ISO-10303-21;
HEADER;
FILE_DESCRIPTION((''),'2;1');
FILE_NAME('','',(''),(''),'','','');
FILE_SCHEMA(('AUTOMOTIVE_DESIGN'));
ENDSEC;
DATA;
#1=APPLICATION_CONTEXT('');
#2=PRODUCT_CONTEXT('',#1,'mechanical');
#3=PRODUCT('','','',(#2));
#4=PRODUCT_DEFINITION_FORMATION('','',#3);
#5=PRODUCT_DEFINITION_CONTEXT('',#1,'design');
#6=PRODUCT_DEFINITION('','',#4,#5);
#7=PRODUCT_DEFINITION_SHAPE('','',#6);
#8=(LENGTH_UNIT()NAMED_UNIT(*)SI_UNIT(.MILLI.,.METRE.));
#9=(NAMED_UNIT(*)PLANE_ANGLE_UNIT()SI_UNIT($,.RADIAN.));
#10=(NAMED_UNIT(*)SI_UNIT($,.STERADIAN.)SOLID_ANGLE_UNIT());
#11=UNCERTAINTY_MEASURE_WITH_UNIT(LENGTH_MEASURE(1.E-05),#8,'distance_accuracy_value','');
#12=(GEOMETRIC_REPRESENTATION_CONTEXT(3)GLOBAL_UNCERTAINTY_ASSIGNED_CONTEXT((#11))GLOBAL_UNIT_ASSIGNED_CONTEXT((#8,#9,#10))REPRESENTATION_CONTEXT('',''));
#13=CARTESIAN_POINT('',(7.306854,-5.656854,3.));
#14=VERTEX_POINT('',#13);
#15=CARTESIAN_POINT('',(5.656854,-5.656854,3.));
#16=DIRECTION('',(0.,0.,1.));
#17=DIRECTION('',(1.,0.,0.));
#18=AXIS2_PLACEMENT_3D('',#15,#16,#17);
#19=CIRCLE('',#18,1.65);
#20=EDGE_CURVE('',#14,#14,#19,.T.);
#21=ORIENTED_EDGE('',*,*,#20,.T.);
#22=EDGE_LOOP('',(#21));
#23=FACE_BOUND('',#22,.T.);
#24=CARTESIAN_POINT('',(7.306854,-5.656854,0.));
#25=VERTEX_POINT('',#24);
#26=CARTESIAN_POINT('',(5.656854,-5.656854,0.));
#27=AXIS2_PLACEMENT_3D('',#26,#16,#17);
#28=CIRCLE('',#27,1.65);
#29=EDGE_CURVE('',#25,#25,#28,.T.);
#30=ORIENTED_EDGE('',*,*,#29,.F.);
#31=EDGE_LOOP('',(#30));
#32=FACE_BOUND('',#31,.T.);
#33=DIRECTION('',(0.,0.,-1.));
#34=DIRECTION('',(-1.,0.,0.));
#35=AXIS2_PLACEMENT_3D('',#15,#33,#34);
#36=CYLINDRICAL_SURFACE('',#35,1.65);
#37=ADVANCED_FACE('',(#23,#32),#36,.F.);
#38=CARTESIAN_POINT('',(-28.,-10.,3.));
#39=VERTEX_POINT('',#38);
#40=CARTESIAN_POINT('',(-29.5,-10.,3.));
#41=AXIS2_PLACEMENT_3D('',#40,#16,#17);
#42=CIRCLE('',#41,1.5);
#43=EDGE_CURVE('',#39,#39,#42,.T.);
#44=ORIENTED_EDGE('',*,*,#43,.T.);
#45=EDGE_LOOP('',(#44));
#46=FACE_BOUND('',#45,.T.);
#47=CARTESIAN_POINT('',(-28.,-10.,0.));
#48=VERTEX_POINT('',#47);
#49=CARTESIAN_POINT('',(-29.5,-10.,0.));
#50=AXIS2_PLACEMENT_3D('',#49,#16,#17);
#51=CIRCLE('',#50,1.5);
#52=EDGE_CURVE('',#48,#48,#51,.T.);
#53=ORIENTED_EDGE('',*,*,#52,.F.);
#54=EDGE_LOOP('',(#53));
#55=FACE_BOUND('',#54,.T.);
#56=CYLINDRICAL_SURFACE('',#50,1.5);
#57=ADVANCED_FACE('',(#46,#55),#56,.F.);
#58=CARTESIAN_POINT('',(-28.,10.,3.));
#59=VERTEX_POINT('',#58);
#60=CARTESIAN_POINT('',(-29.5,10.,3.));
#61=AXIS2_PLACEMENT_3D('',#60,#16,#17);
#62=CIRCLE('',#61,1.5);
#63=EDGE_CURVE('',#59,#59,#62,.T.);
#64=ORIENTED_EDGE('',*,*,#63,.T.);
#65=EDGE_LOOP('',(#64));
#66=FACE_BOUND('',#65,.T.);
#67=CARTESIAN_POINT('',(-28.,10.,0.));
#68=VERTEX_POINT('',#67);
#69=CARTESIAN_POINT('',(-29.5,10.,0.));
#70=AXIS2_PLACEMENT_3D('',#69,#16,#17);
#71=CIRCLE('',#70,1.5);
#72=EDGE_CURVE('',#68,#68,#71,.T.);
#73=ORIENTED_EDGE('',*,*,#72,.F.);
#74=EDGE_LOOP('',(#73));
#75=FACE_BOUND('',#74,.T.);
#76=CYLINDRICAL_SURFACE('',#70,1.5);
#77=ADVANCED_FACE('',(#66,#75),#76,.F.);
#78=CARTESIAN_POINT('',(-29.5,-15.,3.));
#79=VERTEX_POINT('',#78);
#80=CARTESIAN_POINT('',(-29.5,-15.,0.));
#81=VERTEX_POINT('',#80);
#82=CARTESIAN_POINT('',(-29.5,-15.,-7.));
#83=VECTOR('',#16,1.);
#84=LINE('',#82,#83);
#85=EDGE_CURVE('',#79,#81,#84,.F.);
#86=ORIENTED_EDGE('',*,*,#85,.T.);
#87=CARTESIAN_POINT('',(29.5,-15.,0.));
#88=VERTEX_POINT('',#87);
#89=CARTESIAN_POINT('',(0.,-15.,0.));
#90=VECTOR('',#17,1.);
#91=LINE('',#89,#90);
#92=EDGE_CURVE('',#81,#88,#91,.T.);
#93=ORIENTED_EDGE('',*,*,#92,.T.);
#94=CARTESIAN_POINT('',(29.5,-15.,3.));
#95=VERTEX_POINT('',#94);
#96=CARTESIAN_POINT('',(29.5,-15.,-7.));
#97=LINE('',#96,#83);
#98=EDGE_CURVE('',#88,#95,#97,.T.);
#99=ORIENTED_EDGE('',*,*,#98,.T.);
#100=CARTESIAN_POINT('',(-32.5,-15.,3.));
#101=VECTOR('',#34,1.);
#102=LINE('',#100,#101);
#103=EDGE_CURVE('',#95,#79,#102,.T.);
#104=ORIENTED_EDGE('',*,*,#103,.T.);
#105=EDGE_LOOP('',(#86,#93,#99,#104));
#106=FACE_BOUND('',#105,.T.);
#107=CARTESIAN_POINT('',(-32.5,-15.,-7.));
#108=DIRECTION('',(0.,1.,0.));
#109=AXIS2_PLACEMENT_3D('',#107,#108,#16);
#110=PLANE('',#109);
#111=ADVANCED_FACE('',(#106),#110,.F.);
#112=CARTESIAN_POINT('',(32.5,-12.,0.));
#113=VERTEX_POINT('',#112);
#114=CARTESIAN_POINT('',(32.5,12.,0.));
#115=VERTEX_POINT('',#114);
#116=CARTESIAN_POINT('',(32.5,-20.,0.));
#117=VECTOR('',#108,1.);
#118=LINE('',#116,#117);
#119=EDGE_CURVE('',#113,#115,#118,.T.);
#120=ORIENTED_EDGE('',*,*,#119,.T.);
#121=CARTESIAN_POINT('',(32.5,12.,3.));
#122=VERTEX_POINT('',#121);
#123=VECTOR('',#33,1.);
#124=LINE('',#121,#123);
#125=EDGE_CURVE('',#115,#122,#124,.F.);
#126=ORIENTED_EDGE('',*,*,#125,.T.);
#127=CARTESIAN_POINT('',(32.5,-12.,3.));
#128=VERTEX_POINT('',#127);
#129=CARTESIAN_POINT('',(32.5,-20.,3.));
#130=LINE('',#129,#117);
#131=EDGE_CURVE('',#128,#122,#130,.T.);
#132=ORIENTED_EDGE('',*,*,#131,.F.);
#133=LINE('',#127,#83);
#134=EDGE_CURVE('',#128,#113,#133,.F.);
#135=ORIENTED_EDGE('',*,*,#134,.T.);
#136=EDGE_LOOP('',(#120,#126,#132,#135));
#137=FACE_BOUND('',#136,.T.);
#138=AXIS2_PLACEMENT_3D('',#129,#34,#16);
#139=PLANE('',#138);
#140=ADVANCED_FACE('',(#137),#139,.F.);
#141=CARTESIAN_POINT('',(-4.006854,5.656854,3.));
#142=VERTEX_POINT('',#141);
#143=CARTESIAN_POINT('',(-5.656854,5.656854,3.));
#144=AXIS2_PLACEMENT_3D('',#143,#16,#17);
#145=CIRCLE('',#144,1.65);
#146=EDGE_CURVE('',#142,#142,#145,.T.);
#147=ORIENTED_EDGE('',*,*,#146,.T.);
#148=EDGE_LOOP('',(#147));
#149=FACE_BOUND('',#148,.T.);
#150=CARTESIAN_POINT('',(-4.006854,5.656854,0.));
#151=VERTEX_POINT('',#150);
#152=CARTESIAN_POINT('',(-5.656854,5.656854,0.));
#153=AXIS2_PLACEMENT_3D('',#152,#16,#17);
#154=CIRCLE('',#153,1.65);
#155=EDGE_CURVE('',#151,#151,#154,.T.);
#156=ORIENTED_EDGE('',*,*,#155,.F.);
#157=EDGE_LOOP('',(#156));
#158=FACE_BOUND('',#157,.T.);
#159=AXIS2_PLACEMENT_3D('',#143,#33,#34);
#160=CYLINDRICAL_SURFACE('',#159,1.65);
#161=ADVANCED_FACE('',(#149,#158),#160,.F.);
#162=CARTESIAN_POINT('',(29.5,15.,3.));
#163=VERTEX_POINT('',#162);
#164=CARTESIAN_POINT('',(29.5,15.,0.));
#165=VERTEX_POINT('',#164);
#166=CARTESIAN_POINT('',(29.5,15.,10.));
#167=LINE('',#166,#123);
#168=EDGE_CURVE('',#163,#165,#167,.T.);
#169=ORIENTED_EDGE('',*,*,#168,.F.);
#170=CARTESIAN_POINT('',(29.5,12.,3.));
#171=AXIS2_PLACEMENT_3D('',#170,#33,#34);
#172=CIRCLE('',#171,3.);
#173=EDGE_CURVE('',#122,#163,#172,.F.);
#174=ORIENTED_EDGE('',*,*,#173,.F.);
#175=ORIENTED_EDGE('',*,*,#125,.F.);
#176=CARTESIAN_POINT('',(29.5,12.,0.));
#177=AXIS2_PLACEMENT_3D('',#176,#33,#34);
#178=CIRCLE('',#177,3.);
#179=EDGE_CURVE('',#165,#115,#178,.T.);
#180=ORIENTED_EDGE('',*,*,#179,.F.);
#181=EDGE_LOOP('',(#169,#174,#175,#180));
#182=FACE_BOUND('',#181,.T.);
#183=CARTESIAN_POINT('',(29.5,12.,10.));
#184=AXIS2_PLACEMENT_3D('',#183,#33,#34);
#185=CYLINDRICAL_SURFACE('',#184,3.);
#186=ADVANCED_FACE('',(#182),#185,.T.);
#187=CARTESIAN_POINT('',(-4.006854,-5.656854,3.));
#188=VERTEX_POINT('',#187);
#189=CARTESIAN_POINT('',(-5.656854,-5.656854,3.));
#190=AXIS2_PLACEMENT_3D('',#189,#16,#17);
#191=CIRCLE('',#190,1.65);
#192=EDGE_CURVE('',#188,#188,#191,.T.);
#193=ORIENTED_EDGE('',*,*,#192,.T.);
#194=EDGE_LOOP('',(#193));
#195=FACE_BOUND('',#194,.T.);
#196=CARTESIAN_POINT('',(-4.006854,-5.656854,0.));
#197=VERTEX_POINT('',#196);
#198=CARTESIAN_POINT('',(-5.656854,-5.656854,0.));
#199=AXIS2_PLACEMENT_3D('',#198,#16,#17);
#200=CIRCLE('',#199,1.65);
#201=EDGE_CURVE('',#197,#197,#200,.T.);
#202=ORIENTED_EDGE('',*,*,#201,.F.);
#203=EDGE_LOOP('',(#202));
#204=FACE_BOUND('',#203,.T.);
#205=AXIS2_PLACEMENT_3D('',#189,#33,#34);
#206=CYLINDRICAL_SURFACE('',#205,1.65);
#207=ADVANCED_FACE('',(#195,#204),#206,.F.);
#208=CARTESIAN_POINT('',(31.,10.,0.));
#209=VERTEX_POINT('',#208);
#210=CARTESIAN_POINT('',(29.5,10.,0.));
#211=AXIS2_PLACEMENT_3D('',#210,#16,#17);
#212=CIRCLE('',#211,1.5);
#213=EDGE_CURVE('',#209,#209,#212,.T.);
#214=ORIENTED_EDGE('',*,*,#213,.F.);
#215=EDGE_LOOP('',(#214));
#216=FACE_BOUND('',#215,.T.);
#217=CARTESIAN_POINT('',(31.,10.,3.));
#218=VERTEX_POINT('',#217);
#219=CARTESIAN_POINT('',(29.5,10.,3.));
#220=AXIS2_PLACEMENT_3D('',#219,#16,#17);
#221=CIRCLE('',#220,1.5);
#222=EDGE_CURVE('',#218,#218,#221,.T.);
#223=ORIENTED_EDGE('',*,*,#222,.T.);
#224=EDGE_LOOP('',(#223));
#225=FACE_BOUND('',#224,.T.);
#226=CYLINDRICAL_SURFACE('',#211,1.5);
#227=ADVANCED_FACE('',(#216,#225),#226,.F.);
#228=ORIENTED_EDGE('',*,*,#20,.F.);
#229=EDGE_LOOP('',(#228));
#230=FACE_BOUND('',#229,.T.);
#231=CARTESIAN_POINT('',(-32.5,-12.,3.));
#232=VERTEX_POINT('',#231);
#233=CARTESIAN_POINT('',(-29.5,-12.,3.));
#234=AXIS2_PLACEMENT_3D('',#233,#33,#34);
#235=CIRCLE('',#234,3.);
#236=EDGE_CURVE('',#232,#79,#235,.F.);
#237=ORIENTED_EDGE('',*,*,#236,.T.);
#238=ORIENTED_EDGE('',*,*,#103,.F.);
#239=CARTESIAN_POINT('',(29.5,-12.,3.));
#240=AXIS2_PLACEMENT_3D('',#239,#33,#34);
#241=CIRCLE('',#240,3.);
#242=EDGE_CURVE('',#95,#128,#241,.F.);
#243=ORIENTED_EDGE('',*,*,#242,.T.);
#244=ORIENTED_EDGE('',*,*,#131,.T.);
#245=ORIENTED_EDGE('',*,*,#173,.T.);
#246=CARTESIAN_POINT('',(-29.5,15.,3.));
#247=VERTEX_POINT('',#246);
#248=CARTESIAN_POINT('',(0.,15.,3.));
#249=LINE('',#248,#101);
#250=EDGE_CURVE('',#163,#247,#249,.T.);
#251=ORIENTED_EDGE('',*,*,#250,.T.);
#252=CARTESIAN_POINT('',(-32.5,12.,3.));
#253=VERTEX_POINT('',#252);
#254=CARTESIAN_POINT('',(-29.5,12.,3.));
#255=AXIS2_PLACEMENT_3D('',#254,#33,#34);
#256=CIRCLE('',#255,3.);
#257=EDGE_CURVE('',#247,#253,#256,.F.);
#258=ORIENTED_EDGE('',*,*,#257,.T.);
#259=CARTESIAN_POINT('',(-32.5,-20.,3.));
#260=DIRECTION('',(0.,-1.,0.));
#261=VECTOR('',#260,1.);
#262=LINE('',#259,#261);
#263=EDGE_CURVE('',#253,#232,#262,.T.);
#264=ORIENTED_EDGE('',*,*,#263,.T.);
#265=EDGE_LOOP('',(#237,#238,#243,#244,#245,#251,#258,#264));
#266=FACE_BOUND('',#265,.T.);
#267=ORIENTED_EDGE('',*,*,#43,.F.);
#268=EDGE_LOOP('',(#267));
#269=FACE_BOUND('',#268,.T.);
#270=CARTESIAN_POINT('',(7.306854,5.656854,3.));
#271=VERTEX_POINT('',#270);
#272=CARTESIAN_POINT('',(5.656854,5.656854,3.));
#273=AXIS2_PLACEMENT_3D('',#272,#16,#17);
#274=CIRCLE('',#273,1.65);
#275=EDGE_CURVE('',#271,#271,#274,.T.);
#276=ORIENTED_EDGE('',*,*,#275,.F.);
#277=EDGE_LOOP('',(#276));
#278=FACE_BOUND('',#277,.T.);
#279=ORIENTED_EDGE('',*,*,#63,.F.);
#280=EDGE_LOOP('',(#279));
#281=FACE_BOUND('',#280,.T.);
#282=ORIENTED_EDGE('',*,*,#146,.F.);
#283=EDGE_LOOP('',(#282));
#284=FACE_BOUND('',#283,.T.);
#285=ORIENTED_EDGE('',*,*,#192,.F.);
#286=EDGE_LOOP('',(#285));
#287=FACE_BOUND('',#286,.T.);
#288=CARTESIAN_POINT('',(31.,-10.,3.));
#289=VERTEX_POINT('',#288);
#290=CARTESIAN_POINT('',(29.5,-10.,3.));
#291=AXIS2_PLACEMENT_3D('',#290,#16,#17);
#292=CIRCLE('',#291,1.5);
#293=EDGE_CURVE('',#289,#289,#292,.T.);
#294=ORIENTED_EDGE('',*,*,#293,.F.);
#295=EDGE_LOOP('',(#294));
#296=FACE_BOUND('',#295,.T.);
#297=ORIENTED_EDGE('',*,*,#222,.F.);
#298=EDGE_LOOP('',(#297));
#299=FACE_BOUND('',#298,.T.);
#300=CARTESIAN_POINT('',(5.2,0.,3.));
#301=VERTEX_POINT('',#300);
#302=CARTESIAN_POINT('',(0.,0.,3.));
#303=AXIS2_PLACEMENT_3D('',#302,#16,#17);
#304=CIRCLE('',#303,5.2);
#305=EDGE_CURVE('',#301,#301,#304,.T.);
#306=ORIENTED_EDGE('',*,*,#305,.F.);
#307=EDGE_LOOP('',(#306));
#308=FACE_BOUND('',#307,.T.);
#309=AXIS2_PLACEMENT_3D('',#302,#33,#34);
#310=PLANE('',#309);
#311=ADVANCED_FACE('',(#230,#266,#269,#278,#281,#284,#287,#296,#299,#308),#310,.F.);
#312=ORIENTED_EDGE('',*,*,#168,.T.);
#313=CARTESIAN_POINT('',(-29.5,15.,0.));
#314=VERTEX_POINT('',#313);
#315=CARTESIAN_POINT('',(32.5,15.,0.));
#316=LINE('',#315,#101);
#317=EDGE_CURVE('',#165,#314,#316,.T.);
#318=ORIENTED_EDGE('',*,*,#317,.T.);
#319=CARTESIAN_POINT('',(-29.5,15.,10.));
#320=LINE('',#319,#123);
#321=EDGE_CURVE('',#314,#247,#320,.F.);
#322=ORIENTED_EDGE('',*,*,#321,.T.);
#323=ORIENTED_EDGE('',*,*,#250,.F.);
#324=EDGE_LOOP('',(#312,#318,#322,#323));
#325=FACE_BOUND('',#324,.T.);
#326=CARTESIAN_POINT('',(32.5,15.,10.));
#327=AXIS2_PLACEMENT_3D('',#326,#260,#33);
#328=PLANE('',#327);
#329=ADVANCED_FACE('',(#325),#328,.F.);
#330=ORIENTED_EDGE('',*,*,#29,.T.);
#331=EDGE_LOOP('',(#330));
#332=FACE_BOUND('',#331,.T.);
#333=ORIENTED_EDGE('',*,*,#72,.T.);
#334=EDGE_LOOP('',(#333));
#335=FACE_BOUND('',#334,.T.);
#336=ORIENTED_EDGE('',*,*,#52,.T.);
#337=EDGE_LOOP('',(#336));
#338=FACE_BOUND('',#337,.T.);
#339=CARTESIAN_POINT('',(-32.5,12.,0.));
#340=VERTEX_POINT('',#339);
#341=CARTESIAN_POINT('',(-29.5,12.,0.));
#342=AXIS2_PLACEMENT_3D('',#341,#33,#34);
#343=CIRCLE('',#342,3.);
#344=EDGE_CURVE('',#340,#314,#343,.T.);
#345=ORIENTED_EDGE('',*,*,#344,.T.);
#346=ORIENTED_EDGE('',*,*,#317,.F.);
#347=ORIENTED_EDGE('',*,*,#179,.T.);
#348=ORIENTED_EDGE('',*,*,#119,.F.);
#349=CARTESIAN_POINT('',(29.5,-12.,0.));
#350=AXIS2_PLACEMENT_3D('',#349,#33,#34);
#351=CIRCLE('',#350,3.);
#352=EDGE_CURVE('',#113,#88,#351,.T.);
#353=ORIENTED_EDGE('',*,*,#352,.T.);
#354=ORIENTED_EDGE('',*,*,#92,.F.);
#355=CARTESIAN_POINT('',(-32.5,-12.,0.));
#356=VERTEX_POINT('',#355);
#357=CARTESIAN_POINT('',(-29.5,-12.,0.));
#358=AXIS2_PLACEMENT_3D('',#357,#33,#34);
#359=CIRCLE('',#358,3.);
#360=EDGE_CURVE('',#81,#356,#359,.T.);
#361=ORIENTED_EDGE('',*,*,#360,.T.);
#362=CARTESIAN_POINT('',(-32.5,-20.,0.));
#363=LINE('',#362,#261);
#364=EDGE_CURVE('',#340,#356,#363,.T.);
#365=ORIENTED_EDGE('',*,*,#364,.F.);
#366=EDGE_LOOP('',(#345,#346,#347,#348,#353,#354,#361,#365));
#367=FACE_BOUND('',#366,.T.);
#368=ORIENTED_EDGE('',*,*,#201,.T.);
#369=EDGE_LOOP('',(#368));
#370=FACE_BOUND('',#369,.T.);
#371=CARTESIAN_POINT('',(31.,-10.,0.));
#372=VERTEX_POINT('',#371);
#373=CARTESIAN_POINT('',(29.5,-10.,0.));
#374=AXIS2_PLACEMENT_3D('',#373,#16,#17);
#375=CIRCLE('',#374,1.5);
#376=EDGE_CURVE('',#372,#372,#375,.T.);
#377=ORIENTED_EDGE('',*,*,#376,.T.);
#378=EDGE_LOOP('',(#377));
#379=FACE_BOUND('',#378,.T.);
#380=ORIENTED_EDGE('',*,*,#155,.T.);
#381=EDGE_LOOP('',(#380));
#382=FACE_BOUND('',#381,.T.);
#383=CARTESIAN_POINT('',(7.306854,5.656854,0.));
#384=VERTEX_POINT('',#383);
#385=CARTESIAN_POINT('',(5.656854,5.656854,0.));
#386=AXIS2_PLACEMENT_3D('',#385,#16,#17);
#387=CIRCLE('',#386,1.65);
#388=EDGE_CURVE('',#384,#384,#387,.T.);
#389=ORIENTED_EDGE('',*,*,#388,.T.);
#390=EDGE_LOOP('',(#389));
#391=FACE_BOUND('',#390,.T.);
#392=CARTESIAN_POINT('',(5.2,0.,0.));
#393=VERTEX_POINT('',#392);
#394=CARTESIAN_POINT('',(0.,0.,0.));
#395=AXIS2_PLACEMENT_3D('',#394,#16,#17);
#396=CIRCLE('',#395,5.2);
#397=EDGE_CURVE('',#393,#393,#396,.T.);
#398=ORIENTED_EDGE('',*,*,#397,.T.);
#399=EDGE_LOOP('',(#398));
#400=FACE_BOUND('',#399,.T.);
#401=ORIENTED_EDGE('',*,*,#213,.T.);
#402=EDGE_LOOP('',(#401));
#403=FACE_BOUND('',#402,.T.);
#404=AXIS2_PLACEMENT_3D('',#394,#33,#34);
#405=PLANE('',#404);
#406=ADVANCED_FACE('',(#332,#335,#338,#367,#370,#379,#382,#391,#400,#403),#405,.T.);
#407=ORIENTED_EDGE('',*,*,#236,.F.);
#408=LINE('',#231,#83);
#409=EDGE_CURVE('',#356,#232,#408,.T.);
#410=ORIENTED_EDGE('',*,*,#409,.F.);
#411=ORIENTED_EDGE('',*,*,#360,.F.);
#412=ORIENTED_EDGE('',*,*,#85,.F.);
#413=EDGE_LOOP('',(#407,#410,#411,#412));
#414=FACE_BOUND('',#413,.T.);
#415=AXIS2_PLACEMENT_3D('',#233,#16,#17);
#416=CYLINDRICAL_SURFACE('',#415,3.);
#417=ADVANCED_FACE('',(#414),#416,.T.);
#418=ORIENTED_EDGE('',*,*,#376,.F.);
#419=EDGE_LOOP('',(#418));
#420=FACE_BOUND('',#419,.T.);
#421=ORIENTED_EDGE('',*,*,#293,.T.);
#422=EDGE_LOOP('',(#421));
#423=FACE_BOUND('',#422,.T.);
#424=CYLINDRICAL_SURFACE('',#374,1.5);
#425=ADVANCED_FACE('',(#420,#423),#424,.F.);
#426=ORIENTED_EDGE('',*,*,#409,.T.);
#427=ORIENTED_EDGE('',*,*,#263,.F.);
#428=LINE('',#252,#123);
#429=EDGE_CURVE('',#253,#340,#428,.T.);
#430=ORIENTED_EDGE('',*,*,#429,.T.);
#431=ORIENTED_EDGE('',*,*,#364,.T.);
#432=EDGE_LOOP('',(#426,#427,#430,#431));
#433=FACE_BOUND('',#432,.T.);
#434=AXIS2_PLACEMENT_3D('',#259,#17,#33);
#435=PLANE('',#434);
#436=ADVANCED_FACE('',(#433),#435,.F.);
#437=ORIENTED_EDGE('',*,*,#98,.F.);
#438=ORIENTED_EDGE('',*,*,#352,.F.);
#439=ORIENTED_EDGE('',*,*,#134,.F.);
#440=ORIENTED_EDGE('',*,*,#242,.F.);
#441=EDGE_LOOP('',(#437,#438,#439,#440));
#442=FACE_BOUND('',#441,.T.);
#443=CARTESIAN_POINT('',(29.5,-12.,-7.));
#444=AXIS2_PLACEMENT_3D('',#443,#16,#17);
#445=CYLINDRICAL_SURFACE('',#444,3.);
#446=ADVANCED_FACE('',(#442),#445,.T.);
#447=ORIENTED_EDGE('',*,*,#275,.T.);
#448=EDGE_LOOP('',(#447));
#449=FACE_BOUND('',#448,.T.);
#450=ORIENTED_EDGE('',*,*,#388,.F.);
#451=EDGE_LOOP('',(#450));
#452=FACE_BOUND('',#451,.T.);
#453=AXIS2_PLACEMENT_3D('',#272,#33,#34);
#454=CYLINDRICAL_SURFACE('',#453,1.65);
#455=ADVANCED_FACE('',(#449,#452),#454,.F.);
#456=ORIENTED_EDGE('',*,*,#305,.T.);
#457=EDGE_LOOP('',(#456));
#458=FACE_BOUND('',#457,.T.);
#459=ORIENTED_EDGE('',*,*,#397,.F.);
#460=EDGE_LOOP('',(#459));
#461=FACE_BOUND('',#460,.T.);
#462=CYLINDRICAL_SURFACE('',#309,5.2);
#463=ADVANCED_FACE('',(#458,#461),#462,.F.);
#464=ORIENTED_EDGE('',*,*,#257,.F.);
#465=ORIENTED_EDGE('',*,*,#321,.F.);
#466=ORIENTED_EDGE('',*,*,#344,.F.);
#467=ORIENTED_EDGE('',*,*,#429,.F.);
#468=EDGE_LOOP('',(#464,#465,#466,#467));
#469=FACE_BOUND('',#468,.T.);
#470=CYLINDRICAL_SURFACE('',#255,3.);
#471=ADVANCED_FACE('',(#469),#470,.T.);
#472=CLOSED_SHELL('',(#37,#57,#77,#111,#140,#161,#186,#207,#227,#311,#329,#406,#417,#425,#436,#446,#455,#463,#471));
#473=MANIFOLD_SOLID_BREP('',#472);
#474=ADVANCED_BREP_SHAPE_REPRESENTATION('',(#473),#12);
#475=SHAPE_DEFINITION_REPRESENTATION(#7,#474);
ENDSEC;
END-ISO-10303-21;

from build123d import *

# Parameters (mm, degrees)
SKETCH_1_W          = 65
SKETCH_1_H          = 40
SKETCH_1_R          = 1.65
SKETCH_1_R_2        = 5.2
EXTRUDE_1_DEPTH     = 3
SKETCH_2_R          = 1.5
CUT_EXTRUDE_1_DEPTH = 3
SKETCH_3_W          = 65
SKETCH_3_H          = 5
CUT_EXTRUDE_2_DEPTH = 10
SKETCH_4_W          = 65
SKETCH_4_H          = 5
CUT_EXTRUDE_3_DEPTH = 10
FILLET_2_R          = 3


with BuildPart() as part:
    # 草图1 → 凸台-拉伸1 (new body)
    with BuildSketch(Plane.XY):
        Rectangle(SKETCH_1_W, SKETCH_1_H)
        with Locations((-5.656854249, 5.656854249)):
            Circle(SKETCH_1_R, mode=Mode.SUBTRACT)
        Circle(SKETCH_1_R_2, mode=Mode.SUBTRACT)
        with Locations((5.656854249, 5.656854249)):
            Circle(SKETCH_1_R, mode=Mode.SUBTRACT)
        with Locations((5.656854249, -5.656854249)):
            Circle(SKETCH_1_R, mode=Mode.SUBTRACT)
        with Locations((-5.656854249, -5.656854249)):
            Circle(SKETCH_1_R, mode=Mode.SUBTRACT)
    extrude(amount=EXTRUDE_1_DEPTH)

    # 草图2 → 切除-拉伸1 (cut)
    with BuildSketch(Plane.XY.offset(3)):
        with Locations((29.5, 10)):
            Circle(SKETCH_2_R)
        with Locations((29.5, -10)):
            Circle(SKETCH_2_R)
        with Locations((-29.5, -10)):
            Circle(SKETCH_2_R)
        with Locations((-29.5, 10)):
            Circle(SKETCH_2_R)
    extrude(amount=-CUT_EXTRUDE_1_DEPTH, mode=Mode.SUBTRACT)

    # 草图3 → 切除-拉伸2 (cut)
    with BuildSketch(Plane(origin=(0, 0, 0), x_dir=(-1, 0, 0), z_dir=(0, 0, -1))):
        with Locations((0, 17.5)):
            Rectangle(SKETCH_3_W, SKETCH_3_H)
    extrude(amount=-CUT_EXTRUDE_2_DEPTH, mode=Mode.SUBTRACT)

    # 草图4 → 切除-拉伸3 (cut)
    with BuildSketch(Plane.XY.offset(3)):
        with Locations((0, -17.5)):
            Rectangle(SKETCH_4_W, SKETCH_4_H)
    extrude(amount=-CUT_EXTRUDE_3_DEPTH, mode=Mode.SUBTRACT)

    # 圆角2
    fillet_2_edges = [part.edges().sort_by_distance(p)[0] for p in [
        (-32.5, 15, 1.5),
        (32.5, 15, 1.5),
        (-32.5, -15, 1.5),
        (32.5, -15, 1.5),
    ]]
    fillet(fillet_2_edges, radius=FILLET_2_R)


solid = part.part
